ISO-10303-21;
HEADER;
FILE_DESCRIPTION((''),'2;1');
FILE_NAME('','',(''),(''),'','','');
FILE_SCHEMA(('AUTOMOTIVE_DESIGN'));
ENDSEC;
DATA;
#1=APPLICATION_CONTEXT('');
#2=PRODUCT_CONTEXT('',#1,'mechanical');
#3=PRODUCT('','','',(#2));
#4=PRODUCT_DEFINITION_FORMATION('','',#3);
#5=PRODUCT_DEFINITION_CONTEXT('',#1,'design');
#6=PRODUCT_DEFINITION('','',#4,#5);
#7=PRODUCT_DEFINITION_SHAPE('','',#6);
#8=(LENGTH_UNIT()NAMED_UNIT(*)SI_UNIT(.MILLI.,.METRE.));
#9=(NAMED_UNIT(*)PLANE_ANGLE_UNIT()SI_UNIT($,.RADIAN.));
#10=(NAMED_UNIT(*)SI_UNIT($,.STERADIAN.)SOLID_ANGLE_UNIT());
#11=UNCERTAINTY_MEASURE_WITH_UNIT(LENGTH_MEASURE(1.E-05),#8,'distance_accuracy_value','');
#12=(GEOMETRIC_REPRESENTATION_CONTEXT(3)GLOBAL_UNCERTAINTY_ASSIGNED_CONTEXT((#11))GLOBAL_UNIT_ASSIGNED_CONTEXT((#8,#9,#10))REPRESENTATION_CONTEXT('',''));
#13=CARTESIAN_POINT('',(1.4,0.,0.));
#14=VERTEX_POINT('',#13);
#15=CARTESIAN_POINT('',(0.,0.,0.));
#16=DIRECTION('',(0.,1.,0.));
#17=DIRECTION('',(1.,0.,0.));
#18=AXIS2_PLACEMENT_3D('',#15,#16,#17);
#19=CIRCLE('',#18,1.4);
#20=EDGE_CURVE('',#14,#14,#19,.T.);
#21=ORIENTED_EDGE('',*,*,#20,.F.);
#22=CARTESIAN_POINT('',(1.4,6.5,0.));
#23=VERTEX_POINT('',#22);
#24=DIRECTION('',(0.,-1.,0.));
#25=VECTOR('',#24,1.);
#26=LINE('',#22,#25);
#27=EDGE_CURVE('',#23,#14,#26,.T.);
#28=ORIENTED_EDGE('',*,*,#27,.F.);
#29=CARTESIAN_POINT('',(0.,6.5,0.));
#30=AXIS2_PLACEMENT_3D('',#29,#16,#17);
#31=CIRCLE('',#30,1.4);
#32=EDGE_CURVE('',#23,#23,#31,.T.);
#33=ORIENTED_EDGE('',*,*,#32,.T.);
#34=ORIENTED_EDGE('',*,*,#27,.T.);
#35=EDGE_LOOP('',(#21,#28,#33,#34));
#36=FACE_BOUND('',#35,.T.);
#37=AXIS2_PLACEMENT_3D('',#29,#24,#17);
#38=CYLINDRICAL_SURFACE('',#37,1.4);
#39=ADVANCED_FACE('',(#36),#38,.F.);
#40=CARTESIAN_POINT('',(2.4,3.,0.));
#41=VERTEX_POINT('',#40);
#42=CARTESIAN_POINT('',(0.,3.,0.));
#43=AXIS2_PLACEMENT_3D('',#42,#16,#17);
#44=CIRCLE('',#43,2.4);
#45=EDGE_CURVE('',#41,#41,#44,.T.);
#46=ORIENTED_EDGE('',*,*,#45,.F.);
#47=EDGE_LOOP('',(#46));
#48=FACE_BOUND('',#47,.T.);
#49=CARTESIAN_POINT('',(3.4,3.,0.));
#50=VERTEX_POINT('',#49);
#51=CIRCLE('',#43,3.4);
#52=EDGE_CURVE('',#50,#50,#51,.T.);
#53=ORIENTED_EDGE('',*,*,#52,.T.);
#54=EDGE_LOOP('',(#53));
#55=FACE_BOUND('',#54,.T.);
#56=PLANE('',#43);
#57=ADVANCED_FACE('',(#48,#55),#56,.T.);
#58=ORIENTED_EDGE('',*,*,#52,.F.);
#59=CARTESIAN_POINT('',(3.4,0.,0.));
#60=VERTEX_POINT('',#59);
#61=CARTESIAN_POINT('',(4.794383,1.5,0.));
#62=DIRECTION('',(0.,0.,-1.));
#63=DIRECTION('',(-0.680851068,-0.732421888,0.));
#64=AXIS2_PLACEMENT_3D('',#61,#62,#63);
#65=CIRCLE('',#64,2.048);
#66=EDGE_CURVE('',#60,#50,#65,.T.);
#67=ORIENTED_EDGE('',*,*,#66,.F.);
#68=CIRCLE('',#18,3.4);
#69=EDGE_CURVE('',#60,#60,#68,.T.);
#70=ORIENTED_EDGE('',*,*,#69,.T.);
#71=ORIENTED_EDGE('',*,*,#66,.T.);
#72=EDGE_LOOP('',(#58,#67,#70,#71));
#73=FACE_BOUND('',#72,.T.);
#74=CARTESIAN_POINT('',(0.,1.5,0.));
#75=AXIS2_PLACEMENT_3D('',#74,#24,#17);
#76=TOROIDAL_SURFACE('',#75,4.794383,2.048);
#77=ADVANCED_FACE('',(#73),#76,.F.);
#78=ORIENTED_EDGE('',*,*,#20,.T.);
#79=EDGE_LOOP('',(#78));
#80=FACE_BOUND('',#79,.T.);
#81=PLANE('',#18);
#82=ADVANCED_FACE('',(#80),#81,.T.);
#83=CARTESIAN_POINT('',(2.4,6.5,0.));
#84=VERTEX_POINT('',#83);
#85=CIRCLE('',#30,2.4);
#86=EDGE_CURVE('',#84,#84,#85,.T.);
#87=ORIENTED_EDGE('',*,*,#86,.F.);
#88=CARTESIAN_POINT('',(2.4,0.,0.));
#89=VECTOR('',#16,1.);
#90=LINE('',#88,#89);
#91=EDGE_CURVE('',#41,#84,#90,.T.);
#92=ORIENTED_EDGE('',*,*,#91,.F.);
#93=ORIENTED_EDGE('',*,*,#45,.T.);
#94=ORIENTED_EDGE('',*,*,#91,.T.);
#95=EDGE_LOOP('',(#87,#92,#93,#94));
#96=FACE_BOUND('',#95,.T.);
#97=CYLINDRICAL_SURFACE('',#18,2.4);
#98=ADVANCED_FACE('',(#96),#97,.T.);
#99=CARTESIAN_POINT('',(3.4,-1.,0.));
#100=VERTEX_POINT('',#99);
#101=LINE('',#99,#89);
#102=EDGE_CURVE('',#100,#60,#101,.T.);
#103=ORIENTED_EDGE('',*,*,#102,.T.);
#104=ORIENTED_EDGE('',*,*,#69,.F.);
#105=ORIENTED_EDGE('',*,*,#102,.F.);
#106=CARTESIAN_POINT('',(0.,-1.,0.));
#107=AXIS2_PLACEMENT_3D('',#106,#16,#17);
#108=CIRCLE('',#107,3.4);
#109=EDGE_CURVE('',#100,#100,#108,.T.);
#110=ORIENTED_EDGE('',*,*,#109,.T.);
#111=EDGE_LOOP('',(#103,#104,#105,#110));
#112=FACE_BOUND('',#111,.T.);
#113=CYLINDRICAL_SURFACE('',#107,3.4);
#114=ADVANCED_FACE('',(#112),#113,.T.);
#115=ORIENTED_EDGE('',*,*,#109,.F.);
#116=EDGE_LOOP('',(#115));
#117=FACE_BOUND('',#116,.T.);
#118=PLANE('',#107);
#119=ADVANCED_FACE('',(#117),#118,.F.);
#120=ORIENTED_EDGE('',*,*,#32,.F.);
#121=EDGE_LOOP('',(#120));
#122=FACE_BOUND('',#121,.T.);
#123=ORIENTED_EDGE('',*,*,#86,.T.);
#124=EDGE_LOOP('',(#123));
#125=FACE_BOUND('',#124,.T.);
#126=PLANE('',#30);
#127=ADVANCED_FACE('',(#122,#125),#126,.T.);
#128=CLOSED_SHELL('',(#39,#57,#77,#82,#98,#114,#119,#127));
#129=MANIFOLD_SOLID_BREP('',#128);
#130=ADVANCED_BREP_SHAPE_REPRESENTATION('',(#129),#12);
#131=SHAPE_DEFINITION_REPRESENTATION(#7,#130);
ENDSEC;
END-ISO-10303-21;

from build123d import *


with BuildPart() as f1:
    # F0 (on Top) → F1 (revolve)
    with BuildSketch(Plane.XY):
        Polygon((1.4, 6.5), (1.4, 0), (2.4, 0), (2.4, 3), (2.4, 6.5), align=None)
        Polygon((2.4, 0), (1.4, 0), (0, 0), (0, -1), (3.4, -1), (3.4, 0), (2.428727, 0), align=None)
        with BuildLine():
            Line((2.4, 3), (2.4, 0))
            Line((2.4, 0), (2.428727, 0))
            Line((2.428727, 0), (3.4, 0))
            ThreePointArc((3.4, 0), (2.746383, 1.5), (3.4, 3))
            Line((3.4, 3), (2.4, 3))
        make_face()
    revolve(axis=Axis((0, 7.587805, 0), (0, 1, 0)))


solid = f1.part
